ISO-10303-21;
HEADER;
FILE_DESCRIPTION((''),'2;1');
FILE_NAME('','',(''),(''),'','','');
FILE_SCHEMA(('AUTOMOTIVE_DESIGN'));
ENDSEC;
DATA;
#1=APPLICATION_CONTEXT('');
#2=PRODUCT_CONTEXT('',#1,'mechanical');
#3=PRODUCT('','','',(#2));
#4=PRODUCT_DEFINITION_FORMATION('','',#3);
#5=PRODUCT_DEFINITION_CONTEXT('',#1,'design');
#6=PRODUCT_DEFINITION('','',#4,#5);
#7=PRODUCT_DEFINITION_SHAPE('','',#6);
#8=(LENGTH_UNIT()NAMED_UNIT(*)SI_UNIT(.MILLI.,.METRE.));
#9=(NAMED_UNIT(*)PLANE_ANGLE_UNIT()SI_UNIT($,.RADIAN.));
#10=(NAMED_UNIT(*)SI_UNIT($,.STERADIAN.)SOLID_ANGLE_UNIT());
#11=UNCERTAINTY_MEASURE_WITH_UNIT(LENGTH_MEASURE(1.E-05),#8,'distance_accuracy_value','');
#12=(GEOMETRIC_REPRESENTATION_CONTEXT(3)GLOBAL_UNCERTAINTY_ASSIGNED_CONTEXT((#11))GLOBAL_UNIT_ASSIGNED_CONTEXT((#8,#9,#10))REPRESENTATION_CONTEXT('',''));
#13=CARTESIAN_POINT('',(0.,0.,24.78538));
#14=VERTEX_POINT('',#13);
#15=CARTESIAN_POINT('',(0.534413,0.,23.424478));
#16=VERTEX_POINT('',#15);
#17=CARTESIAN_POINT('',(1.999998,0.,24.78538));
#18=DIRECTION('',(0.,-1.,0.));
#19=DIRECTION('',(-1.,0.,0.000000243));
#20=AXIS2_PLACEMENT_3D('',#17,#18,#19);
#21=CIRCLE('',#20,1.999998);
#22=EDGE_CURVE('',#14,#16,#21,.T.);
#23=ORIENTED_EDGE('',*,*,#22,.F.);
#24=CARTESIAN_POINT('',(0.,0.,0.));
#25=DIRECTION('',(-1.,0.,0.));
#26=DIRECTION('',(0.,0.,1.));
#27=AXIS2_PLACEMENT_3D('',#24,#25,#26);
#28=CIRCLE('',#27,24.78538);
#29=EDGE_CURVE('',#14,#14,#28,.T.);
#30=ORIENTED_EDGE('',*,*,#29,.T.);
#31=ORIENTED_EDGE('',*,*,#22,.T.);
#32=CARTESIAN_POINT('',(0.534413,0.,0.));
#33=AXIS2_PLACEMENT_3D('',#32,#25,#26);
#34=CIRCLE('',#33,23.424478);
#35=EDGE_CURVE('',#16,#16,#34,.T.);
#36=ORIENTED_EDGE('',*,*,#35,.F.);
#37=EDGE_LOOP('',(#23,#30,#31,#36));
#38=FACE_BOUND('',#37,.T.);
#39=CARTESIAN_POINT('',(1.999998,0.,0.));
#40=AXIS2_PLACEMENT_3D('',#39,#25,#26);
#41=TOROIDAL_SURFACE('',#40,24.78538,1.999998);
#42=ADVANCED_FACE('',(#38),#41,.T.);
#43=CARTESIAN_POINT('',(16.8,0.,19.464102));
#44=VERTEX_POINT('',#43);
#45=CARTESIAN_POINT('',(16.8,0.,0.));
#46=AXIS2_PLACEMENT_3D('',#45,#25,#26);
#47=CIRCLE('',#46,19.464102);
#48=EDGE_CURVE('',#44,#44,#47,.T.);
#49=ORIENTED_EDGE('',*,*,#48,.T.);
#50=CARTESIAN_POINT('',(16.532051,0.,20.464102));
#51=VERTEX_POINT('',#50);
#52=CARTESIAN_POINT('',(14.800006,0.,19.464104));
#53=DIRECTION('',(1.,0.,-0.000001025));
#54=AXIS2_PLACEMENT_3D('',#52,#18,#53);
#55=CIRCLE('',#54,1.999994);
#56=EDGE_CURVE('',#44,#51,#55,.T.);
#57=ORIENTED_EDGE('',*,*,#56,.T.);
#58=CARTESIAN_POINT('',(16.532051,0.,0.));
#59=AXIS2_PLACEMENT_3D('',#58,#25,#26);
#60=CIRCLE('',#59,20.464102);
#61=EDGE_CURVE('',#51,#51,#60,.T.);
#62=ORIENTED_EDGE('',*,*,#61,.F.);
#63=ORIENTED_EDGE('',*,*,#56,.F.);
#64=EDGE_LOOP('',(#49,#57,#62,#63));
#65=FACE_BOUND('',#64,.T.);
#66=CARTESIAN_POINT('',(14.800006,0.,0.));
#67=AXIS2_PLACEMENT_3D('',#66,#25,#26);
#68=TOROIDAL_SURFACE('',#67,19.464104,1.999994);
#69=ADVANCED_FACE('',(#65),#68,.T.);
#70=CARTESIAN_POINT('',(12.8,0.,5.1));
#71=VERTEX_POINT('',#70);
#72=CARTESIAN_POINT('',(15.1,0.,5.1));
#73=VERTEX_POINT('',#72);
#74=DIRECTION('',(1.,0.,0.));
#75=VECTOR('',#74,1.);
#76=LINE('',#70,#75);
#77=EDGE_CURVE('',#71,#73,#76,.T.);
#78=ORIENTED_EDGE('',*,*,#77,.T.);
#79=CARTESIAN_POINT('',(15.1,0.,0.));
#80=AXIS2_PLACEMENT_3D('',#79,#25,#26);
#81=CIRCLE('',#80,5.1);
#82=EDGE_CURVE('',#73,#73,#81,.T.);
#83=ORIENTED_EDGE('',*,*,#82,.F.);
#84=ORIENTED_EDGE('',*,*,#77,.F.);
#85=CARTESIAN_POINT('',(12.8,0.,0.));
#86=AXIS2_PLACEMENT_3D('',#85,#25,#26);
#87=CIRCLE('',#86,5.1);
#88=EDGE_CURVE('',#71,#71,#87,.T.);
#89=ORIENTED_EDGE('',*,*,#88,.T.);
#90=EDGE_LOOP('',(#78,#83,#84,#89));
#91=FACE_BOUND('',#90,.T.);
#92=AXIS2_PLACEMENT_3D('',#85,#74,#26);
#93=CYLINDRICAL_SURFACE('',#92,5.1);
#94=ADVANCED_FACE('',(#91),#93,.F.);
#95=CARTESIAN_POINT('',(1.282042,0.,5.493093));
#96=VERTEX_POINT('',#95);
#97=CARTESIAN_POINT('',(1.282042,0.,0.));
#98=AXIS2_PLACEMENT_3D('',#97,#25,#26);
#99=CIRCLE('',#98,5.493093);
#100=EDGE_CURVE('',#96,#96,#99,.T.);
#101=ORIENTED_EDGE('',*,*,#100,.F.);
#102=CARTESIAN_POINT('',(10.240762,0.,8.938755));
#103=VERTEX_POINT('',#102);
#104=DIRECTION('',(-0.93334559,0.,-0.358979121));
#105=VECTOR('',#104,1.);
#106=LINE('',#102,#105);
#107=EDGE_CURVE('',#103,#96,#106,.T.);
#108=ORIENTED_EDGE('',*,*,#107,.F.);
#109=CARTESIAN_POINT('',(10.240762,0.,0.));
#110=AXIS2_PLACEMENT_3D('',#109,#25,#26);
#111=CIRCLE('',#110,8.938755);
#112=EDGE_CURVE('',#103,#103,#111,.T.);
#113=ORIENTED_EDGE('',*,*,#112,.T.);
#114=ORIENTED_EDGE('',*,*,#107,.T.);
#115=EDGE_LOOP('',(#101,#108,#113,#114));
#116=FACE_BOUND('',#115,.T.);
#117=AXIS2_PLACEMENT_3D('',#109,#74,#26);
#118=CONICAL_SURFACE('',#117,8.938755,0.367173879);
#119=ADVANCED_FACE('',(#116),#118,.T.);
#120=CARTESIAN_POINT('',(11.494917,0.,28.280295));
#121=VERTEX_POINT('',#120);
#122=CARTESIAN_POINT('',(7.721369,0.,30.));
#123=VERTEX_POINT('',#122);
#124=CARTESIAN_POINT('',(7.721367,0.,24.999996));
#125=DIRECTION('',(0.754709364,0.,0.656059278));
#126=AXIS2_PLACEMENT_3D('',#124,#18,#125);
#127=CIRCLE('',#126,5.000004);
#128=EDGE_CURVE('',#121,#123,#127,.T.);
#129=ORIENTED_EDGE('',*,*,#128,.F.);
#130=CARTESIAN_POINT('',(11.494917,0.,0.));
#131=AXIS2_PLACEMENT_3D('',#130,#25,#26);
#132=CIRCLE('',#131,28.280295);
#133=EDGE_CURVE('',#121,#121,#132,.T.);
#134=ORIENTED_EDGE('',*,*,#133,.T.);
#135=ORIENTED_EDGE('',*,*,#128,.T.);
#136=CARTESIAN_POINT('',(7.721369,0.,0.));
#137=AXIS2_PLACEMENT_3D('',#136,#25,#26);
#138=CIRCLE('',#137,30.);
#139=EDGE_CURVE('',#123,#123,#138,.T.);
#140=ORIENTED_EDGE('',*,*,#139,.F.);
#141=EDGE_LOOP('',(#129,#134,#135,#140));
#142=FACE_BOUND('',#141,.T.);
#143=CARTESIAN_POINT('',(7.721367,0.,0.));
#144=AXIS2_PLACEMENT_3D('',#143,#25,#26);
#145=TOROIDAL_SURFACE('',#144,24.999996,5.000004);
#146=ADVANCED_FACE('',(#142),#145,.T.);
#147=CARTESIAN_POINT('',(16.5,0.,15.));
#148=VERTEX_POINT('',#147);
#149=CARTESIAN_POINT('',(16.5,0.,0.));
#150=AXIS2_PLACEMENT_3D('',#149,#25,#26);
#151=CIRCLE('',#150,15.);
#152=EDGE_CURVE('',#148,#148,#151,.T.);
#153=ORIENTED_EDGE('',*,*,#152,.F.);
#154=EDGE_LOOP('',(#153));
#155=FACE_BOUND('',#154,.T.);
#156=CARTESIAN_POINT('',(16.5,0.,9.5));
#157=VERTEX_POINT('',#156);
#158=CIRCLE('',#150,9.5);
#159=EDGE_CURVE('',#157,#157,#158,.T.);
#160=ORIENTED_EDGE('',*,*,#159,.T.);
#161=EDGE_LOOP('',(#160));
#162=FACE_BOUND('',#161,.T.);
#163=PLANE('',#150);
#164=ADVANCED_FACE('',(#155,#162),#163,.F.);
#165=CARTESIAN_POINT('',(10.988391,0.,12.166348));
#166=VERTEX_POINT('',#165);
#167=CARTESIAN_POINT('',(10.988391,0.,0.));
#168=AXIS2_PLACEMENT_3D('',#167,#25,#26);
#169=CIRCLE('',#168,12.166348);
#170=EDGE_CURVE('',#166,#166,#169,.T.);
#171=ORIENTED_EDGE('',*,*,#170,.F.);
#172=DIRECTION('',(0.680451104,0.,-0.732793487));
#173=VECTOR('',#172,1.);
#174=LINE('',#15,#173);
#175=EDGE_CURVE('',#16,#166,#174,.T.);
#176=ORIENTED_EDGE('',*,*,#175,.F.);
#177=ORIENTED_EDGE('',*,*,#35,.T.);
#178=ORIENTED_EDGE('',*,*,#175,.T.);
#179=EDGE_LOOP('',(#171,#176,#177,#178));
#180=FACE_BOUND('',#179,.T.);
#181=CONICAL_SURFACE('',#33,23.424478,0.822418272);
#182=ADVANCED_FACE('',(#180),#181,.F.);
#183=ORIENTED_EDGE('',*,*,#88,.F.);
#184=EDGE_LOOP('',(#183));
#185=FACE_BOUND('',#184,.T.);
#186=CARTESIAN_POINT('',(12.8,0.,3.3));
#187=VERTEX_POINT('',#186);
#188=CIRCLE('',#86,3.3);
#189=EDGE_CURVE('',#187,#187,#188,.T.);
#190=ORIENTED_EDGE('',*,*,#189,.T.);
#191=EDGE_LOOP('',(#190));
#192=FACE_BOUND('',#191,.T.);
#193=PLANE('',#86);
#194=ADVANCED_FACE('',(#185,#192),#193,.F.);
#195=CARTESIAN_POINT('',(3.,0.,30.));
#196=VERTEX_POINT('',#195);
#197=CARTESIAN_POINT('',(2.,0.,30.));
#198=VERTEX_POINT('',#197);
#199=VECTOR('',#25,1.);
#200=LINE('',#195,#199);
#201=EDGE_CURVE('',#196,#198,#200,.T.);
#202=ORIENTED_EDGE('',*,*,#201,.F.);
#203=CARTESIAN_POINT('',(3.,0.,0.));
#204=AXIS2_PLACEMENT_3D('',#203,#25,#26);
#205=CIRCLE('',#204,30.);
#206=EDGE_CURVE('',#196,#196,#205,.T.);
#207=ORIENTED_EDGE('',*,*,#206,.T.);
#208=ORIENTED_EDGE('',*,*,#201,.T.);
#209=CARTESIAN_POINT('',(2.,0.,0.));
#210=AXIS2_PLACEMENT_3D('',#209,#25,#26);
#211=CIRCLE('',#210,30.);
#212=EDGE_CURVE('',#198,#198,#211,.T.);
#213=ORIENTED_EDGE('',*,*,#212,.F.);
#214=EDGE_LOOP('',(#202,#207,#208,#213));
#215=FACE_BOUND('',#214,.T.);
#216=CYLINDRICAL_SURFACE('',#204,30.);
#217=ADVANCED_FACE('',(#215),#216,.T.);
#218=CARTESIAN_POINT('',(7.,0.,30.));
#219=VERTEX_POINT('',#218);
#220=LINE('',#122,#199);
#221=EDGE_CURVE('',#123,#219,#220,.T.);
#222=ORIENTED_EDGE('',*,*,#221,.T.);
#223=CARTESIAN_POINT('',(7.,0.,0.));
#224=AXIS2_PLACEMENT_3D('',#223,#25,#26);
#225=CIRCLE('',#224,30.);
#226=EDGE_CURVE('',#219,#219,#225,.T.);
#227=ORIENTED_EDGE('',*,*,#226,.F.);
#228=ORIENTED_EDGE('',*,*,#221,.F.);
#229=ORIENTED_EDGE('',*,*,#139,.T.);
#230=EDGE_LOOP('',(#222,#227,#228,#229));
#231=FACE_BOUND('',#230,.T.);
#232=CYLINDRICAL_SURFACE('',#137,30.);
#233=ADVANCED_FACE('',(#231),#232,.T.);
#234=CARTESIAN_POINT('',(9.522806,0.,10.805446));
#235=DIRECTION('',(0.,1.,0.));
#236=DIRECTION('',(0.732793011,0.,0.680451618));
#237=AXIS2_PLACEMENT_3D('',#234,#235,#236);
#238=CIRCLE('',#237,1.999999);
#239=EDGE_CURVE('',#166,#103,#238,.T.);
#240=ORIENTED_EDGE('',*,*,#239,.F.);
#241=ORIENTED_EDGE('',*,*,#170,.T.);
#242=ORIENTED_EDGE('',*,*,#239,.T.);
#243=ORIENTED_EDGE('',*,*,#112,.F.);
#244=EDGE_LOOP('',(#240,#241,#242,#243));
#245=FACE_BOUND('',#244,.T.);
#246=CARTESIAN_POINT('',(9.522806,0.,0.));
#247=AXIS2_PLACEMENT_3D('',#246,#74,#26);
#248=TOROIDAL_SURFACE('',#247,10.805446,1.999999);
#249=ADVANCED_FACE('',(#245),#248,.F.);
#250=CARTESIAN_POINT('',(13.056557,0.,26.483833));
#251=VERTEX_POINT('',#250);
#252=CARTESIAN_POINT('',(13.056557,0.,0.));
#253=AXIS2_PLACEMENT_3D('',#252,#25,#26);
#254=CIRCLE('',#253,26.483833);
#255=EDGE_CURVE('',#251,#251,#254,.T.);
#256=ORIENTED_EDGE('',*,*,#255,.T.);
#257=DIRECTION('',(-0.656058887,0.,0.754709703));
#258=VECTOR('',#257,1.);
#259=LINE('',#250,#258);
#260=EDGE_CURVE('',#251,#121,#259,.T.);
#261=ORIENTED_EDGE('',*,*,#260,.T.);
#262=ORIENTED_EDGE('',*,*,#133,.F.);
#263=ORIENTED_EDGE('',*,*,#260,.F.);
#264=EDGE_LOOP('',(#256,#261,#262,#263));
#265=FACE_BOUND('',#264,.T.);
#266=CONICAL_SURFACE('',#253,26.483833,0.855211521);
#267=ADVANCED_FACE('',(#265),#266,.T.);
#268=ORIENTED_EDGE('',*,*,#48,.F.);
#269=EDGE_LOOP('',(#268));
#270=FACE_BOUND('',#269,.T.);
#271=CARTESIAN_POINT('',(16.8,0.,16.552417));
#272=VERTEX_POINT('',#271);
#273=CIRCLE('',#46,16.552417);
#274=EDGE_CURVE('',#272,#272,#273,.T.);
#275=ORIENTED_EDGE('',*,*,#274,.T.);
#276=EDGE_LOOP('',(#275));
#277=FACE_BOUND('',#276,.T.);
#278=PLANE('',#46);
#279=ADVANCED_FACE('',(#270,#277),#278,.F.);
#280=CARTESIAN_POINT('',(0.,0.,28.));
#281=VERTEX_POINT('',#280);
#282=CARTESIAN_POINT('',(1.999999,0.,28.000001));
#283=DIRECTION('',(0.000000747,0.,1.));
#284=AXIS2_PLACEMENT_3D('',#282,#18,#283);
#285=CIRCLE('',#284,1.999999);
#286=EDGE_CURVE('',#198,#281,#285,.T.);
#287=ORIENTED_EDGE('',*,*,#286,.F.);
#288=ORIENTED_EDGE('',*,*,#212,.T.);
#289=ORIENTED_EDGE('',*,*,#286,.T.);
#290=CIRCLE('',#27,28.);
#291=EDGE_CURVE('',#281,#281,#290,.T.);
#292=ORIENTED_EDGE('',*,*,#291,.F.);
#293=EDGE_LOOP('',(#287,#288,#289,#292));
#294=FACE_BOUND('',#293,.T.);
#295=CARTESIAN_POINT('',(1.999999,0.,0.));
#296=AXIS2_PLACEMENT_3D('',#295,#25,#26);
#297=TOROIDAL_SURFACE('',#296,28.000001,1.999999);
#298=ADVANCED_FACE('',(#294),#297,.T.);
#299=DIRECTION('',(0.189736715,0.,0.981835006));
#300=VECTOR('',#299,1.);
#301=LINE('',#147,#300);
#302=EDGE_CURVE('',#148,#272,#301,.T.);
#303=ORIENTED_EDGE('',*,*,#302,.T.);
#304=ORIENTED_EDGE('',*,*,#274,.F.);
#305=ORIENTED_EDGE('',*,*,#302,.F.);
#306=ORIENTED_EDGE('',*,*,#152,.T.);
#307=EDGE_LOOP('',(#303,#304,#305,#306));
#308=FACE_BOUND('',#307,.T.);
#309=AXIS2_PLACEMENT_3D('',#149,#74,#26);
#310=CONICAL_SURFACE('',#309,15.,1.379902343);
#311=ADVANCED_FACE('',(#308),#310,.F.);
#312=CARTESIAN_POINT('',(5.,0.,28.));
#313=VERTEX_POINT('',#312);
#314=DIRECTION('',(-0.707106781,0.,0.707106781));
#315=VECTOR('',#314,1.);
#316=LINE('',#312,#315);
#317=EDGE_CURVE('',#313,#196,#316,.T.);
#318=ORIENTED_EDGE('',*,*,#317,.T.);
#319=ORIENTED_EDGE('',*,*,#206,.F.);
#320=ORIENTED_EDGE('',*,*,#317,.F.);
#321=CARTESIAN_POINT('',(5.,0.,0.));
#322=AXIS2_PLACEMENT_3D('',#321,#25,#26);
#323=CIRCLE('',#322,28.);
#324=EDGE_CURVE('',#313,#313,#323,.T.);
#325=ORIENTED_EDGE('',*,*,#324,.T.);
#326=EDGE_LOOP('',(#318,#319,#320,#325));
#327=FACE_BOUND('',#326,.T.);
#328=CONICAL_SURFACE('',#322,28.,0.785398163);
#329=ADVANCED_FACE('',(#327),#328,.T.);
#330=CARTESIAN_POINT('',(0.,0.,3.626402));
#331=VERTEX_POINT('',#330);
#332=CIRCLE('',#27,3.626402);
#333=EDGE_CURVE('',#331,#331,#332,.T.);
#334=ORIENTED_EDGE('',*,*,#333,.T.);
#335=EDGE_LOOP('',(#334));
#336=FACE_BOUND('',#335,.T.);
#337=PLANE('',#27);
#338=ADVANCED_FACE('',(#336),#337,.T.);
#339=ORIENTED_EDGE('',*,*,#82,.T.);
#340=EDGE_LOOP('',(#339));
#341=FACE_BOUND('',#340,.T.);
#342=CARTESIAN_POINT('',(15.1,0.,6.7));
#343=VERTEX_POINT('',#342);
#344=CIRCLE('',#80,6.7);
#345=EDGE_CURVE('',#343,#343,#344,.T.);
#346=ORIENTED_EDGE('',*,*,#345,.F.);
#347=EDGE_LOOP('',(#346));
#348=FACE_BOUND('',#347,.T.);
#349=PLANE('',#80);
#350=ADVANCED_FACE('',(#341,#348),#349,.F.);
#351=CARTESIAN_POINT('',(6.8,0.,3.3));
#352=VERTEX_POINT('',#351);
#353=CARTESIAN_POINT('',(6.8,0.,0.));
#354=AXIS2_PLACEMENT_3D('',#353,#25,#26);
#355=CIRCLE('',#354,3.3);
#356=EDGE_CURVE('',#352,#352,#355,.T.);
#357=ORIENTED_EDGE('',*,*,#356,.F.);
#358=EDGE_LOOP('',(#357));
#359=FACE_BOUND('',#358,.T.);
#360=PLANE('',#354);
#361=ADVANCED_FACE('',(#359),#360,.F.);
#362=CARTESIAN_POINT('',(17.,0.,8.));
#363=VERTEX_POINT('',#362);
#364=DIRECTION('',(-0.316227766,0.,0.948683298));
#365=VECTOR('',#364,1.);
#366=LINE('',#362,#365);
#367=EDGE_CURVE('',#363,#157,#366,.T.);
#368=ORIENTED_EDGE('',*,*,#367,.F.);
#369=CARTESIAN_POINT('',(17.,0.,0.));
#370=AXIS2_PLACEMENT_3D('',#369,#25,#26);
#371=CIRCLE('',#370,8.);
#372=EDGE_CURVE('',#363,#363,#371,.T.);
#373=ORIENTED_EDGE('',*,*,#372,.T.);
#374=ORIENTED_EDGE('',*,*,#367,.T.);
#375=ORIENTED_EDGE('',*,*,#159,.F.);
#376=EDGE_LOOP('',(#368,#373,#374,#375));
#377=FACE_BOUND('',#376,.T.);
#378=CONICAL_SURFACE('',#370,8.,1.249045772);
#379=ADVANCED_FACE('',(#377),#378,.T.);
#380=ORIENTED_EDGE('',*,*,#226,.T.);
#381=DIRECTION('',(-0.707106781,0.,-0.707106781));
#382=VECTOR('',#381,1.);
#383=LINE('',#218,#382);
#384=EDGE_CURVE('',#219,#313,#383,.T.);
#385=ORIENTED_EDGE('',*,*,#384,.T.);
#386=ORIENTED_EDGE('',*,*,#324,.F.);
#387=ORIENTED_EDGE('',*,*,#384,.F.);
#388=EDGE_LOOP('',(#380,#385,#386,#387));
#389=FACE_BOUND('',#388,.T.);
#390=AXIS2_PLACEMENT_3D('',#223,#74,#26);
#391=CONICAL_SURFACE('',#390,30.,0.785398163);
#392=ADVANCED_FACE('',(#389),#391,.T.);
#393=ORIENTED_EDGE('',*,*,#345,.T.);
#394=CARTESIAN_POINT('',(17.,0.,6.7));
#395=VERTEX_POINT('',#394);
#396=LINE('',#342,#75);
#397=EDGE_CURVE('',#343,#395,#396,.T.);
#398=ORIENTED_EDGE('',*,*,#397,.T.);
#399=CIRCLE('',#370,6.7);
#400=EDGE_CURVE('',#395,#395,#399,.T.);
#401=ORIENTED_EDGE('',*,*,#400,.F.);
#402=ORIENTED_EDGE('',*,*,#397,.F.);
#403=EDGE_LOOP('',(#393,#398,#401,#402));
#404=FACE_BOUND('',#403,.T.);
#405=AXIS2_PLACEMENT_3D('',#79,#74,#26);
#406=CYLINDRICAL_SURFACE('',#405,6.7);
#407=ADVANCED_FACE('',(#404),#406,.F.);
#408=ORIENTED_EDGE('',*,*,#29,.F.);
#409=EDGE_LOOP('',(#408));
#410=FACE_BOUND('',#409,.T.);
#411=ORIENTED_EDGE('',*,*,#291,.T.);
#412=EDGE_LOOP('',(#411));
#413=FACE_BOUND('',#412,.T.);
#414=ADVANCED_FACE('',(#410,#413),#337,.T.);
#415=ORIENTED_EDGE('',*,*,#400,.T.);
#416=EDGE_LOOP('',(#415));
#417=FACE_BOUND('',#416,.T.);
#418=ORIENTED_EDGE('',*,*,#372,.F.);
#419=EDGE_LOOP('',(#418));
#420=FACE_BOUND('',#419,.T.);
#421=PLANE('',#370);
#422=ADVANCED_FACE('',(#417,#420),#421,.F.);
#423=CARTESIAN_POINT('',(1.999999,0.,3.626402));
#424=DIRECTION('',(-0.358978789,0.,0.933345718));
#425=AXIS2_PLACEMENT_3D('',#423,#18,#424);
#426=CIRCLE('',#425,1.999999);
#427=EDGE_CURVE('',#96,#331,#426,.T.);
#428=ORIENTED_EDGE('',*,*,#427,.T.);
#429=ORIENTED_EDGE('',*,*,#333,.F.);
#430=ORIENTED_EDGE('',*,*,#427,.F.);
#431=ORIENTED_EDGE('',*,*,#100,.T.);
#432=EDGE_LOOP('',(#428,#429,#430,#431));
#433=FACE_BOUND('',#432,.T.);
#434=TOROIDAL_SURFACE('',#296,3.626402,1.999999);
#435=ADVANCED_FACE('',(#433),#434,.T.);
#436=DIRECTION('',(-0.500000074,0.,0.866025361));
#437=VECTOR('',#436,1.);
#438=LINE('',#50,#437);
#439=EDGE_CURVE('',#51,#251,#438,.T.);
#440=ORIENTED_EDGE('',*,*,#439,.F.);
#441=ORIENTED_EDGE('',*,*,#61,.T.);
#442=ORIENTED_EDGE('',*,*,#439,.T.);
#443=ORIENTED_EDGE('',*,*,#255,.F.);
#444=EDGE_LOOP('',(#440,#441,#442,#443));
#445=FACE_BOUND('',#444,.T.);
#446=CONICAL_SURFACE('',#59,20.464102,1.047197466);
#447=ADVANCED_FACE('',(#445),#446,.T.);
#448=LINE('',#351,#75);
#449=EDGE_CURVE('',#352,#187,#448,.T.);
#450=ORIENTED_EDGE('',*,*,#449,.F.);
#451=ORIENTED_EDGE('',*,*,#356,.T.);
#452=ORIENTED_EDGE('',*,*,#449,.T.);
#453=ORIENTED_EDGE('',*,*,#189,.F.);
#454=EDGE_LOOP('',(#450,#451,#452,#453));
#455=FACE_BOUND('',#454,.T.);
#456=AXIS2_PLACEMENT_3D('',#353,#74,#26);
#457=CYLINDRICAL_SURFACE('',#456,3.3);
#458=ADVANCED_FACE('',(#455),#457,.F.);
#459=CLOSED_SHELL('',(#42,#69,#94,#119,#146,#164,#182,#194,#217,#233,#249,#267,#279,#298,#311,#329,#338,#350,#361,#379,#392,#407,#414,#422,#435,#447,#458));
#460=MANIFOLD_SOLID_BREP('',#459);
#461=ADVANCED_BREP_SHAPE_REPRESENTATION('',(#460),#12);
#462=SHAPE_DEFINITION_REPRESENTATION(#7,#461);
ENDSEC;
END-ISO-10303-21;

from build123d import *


with BuildPart() as f1:
    # F0 (on Front) → F1 (revolve)
    with BuildSketch(Plane.XZ):
        with BuildLine():
            Line((3, 30), (2, 30))
            ThreePointArc((2, 30), (0.585786, 29.414214), (0, 28))
            Line((0, 28), (0, 24.78538))
            ThreePointArc((0, 24.78538), (0.138391, 24.054345), (0.534413, 23.424478))
            Line((0.534413, 23.424478), (10.988391, 12.166348))
            ThreePointArc((10.988391, 12.166348), (11.471216, 10.354122), (10.240762, 8.938755))
            Line((10.240762, 8.938755), (1.282042, 5.493093))
            ThreePointArc((1.282042, 5.493093), (0.351377, 4.758675), (0, 3.626402))
            Line((0, 3.626402), (0, 0))
            Line((0, 0), (6.8, 0))
            Line((6.8, 0), (6.8, 3.3))
            Line((6.8, 3.3), (12.8, 3.3))
            Line((12.8, 3.3), (12.8, 5.1))
            Line((12.8, 5.1), (15.1, 5.1))
            Line((15.1, 5.1), (15.1, 6.7))
            Line((15.1, 6.7), (17, 6.7))
            Line((17, 6.7), (17, 8))
            Line((17, 8), (16.5, 9.5))
            Line((16.5, 9.5), (16.5, 15))
            Line((16.5, 15), (16.8, 16.552417))
            Line((16.8, 16.552417), (16.8, 19.464102))
            ThreePointArc((16.8, 19.464102), (16.731852, 19.98174), (16.532051, 20.464102))
            Line((16.532051, 20.464102), (13.056557, 26.483833))
            Line((13.056557, 26.483833), (11.494917, 28.280295))
            ThreePointArc((11.494917, 28.280295), (9.794835, 29.549806), (7.721369, 30))
            Line((7.721369, 30), (7, 30))
            Line((7, 30), (5, 28))
            Line((5, 28), (3, 30))
        make_face()
    revolve(axis=Axis((3.4, 0, 0), (-1, 0, 0)))


solid = f1.part
